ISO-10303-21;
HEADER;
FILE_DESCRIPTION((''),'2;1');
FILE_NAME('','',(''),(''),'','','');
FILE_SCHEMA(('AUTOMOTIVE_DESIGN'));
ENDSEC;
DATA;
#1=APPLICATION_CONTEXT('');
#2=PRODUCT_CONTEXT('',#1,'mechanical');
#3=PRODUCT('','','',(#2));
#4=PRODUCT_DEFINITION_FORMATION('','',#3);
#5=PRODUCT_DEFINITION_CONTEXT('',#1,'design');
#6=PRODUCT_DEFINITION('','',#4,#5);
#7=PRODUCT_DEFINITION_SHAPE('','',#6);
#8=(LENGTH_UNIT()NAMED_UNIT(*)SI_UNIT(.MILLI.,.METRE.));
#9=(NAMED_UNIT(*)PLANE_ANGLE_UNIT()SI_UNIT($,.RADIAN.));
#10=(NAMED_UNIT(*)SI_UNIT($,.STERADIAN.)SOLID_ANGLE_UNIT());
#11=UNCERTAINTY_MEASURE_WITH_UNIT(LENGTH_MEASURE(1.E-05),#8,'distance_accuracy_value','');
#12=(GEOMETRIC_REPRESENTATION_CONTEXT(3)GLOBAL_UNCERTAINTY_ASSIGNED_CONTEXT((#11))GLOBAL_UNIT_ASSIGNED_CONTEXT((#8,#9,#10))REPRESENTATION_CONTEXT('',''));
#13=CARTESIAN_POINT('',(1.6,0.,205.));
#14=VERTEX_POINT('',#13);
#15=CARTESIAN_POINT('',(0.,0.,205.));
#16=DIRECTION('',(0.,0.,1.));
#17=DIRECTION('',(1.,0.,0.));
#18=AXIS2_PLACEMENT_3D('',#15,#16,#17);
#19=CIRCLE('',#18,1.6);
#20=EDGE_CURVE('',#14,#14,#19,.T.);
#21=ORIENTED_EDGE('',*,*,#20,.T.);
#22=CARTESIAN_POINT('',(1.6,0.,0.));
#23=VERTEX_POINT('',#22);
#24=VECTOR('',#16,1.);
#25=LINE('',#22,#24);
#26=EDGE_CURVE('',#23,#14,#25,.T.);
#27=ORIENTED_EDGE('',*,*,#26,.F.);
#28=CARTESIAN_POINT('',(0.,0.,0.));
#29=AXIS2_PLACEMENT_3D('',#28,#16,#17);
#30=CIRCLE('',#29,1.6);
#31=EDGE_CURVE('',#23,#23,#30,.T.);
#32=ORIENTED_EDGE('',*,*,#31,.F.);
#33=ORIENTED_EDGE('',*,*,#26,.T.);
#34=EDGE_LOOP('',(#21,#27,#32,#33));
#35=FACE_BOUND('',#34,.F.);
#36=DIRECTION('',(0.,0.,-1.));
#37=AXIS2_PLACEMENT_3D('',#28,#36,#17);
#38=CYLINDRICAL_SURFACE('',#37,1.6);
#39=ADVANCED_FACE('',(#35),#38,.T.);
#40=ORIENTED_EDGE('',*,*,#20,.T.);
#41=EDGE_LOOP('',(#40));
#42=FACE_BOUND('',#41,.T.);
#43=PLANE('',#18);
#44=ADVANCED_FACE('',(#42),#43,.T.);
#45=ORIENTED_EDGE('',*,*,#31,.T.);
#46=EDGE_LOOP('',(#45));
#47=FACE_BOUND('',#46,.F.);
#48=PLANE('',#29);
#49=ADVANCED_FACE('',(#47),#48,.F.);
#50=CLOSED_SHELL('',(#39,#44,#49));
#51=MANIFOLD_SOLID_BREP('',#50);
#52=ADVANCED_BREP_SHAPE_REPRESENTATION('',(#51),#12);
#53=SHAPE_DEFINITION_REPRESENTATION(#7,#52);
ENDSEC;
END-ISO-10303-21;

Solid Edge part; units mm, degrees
sketch "Sketch1" plane through (0, 0, 0) normal (0, 0, 1) x (1, 0, 0)
  circle A0 centre (0, 0) radius 1.6
extrude "Protrusion1" add sketch "Sketch1" along normal blind 205
